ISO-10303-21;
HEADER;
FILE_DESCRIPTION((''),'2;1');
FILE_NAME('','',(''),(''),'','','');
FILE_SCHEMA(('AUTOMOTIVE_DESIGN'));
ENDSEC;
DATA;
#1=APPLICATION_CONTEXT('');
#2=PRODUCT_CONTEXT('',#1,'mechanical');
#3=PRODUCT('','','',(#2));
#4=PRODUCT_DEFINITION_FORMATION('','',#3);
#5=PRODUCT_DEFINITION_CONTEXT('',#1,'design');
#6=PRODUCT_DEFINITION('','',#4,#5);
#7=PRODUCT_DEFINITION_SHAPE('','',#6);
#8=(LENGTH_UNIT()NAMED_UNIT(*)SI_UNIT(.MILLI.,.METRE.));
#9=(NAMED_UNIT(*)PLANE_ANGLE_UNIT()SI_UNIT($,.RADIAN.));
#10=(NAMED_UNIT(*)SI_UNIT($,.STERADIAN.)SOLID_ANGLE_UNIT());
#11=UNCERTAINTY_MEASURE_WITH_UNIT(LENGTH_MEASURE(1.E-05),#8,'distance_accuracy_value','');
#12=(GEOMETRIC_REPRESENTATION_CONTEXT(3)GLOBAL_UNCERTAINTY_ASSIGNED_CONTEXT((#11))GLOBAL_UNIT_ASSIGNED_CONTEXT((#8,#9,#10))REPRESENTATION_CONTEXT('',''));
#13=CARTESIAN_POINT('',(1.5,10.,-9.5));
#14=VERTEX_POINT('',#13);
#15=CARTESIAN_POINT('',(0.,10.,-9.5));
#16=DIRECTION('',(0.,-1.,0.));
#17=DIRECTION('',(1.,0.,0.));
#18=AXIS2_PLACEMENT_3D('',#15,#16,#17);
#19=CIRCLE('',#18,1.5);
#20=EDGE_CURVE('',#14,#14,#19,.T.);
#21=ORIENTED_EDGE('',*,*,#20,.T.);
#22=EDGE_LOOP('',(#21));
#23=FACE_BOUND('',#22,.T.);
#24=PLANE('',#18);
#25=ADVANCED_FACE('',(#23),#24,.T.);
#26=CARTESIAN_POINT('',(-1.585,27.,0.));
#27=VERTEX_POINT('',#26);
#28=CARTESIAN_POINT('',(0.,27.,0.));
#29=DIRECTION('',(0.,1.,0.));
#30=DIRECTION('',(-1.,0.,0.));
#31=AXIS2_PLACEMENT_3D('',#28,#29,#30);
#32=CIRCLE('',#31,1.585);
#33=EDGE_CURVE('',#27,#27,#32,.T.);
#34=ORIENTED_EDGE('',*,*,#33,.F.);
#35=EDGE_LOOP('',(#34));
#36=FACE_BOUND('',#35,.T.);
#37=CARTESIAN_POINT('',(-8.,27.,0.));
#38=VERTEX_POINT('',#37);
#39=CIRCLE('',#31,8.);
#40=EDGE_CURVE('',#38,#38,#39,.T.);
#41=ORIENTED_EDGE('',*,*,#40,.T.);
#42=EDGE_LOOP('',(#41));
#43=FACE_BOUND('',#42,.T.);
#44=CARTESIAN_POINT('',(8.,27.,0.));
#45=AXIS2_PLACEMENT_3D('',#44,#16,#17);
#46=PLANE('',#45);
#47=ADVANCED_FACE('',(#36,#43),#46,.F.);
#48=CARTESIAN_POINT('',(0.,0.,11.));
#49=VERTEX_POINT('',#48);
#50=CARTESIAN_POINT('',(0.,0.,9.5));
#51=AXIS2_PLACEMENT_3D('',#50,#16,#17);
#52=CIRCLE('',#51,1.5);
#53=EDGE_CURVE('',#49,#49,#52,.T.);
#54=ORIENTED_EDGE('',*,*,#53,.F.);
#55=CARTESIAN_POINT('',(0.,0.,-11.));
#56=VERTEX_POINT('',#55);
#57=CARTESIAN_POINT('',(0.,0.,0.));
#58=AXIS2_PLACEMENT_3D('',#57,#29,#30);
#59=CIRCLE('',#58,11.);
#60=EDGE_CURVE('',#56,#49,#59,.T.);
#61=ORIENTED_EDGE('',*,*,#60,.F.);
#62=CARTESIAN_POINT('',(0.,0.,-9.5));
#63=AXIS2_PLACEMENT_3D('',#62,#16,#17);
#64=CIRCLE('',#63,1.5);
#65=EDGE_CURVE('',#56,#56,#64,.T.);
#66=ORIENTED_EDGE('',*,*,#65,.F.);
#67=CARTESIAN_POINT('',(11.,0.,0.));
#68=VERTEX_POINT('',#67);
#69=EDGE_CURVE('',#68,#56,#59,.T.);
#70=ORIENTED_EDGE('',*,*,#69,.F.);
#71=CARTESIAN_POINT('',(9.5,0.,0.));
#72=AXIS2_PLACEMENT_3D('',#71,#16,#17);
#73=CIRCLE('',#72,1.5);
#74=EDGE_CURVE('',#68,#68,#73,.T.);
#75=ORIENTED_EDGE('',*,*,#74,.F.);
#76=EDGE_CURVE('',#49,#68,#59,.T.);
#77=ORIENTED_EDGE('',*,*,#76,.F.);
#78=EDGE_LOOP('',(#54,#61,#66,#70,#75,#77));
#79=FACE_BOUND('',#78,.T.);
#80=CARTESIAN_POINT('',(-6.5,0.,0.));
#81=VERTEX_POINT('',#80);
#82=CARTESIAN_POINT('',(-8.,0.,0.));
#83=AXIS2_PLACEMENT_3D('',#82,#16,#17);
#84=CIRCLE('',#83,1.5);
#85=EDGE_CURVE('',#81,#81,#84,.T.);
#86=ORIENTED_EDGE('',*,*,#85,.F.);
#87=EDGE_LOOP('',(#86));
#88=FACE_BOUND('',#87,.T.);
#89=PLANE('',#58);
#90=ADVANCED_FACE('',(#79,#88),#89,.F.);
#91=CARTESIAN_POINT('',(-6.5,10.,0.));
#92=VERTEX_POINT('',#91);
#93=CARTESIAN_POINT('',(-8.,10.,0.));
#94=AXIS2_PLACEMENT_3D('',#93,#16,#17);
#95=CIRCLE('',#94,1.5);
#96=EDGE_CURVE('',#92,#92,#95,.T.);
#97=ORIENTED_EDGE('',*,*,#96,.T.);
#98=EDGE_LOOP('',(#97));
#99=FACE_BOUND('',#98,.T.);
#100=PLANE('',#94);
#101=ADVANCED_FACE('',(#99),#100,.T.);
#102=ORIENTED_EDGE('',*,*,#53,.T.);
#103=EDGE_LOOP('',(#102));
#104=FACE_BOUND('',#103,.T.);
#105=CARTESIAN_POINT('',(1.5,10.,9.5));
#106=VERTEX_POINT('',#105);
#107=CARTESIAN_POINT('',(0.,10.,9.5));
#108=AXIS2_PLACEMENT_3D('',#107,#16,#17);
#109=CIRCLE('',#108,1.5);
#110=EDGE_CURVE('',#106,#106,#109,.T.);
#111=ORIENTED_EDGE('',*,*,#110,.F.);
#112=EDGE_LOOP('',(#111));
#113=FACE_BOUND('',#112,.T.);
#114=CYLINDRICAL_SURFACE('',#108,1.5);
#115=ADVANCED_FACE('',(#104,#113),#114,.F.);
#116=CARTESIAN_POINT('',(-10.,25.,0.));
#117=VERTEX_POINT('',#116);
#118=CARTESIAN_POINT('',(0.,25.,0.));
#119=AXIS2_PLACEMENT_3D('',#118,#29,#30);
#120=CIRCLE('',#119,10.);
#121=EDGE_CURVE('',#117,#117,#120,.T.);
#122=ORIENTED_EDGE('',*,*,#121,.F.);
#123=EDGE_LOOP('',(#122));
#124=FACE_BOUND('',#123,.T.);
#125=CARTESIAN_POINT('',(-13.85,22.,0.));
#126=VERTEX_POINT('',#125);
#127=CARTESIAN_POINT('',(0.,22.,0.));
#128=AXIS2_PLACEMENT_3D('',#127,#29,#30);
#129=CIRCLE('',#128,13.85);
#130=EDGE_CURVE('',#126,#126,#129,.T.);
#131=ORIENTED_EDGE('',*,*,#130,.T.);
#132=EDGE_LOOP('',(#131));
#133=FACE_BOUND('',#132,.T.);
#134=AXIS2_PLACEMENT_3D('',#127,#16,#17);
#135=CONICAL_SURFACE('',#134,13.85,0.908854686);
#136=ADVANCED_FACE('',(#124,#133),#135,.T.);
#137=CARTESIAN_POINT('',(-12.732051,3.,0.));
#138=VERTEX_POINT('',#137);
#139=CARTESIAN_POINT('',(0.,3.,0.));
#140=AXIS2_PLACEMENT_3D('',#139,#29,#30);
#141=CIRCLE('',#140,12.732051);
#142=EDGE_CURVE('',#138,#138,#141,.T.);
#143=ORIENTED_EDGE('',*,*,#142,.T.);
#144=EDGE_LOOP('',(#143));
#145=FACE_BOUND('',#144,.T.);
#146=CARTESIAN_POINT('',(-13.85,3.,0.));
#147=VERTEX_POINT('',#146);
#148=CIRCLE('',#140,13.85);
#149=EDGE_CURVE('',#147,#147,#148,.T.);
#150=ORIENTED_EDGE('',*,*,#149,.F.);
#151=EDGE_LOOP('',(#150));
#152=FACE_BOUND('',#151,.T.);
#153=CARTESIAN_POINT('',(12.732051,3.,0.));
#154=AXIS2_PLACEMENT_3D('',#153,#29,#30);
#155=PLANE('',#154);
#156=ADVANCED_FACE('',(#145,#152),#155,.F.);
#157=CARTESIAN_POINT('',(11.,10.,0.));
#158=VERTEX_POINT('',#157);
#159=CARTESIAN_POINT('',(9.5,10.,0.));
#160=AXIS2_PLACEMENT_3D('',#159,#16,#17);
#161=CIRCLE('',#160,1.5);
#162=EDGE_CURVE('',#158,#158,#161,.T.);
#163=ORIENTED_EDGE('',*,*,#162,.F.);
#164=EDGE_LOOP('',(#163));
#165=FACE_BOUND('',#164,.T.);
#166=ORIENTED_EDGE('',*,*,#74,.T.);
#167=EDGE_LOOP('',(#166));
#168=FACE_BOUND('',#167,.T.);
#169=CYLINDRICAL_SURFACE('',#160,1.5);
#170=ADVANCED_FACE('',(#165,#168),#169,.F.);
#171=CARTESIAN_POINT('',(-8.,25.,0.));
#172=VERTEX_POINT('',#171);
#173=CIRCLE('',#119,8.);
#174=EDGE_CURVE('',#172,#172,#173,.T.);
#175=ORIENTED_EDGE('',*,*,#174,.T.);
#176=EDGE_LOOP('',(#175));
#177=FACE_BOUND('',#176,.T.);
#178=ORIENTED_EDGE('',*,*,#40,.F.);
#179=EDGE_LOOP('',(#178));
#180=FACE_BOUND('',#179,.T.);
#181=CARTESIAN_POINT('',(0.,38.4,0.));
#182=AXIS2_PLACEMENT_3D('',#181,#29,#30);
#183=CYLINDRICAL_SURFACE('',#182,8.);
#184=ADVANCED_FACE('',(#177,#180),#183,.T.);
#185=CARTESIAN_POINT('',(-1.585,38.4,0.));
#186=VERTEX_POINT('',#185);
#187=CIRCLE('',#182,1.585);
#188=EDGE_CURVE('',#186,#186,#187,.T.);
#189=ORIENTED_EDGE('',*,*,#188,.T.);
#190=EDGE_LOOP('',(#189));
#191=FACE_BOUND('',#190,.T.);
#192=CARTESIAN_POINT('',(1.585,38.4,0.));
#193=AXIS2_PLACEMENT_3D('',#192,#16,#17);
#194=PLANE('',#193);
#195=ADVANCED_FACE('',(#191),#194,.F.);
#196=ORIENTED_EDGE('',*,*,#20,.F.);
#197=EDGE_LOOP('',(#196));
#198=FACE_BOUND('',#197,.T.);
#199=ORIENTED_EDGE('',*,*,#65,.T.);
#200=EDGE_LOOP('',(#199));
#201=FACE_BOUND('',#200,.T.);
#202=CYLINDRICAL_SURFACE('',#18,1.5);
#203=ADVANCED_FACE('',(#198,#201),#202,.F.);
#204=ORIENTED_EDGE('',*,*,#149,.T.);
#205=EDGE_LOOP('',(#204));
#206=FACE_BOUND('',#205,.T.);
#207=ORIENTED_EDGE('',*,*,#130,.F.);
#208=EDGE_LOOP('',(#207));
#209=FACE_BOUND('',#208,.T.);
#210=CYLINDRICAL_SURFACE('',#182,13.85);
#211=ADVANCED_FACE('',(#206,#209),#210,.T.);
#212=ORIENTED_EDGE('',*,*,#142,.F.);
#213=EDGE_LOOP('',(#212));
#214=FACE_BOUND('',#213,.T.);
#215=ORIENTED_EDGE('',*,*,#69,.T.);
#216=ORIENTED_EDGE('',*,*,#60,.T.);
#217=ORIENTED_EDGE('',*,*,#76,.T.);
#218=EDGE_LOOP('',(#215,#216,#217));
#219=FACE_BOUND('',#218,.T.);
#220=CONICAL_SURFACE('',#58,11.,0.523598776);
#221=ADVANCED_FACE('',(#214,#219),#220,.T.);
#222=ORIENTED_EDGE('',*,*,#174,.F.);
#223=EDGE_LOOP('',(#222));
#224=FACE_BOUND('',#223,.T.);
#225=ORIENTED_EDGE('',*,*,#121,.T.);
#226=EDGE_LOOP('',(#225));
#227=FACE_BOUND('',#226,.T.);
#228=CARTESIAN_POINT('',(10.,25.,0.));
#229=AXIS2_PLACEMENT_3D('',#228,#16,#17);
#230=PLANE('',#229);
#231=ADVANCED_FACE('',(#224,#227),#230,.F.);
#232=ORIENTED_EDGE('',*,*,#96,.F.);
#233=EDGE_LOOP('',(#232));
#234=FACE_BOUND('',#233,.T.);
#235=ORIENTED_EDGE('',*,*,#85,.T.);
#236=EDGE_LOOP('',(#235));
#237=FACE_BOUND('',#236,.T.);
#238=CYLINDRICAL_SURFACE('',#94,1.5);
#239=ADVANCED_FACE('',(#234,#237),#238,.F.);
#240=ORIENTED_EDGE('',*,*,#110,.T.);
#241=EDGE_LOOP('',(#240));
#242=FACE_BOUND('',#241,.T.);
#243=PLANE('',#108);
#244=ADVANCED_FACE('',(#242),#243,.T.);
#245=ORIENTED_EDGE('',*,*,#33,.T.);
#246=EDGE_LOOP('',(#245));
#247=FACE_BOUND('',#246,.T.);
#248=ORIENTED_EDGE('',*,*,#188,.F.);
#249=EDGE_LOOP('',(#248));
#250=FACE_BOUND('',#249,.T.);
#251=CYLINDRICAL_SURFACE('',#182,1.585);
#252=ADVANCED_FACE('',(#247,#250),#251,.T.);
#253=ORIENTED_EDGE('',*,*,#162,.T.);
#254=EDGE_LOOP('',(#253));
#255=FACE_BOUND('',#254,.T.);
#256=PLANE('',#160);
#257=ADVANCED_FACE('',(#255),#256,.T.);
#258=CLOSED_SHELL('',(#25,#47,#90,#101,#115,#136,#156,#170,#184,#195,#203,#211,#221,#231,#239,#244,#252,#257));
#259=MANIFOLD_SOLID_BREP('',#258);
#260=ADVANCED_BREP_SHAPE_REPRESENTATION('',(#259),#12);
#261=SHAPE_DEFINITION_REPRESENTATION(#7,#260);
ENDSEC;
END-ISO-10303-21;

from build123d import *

# Parameters (mm, degrees)
SKETCH3_R          = 1.5
CUT_EXTRUDE1_DEPTH = 10


with BuildPart() as part:
    # Sketch2 → Revolve1 (revolve)
    with BuildSketch(Plane.XY, mode=Mode.PRIVATE) as revolve1_sk:
        Polygon((0, 0), (11, 0), (12.732050808, 3), (13.85, 3), (13.85, 22), (10, 25), (8, 25), (8, 27), (1.585, 27), (1.585, 38.4), (0, 38.4), align=None)
    revolve(revolve1_sk.sketch.rotate(Axis((0, 38.4, 0), (0, -1, 0)), 180), axis=Axis((0, 38.4, 0), (0, -1, 0)))

    # Sketch3 → Cut-Extrude1 (cut)
    with BuildSketch(Plane.XZ):
        with Locations((9.5, 0)):
            Circle(SKETCH3_R)
        with Locations((-8, 0)):
            Circle(SKETCH3_R)
        with Locations((0, 9.5)):
            Circle(SKETCH3_R)
        with Locations((0, -9.5)):
            Circle(SKETCH3_R)
    extrude(amount=-CUT_EXTRUDE1_DEPTH, mode=Mode.SUBTRACT)


solid = part.part
